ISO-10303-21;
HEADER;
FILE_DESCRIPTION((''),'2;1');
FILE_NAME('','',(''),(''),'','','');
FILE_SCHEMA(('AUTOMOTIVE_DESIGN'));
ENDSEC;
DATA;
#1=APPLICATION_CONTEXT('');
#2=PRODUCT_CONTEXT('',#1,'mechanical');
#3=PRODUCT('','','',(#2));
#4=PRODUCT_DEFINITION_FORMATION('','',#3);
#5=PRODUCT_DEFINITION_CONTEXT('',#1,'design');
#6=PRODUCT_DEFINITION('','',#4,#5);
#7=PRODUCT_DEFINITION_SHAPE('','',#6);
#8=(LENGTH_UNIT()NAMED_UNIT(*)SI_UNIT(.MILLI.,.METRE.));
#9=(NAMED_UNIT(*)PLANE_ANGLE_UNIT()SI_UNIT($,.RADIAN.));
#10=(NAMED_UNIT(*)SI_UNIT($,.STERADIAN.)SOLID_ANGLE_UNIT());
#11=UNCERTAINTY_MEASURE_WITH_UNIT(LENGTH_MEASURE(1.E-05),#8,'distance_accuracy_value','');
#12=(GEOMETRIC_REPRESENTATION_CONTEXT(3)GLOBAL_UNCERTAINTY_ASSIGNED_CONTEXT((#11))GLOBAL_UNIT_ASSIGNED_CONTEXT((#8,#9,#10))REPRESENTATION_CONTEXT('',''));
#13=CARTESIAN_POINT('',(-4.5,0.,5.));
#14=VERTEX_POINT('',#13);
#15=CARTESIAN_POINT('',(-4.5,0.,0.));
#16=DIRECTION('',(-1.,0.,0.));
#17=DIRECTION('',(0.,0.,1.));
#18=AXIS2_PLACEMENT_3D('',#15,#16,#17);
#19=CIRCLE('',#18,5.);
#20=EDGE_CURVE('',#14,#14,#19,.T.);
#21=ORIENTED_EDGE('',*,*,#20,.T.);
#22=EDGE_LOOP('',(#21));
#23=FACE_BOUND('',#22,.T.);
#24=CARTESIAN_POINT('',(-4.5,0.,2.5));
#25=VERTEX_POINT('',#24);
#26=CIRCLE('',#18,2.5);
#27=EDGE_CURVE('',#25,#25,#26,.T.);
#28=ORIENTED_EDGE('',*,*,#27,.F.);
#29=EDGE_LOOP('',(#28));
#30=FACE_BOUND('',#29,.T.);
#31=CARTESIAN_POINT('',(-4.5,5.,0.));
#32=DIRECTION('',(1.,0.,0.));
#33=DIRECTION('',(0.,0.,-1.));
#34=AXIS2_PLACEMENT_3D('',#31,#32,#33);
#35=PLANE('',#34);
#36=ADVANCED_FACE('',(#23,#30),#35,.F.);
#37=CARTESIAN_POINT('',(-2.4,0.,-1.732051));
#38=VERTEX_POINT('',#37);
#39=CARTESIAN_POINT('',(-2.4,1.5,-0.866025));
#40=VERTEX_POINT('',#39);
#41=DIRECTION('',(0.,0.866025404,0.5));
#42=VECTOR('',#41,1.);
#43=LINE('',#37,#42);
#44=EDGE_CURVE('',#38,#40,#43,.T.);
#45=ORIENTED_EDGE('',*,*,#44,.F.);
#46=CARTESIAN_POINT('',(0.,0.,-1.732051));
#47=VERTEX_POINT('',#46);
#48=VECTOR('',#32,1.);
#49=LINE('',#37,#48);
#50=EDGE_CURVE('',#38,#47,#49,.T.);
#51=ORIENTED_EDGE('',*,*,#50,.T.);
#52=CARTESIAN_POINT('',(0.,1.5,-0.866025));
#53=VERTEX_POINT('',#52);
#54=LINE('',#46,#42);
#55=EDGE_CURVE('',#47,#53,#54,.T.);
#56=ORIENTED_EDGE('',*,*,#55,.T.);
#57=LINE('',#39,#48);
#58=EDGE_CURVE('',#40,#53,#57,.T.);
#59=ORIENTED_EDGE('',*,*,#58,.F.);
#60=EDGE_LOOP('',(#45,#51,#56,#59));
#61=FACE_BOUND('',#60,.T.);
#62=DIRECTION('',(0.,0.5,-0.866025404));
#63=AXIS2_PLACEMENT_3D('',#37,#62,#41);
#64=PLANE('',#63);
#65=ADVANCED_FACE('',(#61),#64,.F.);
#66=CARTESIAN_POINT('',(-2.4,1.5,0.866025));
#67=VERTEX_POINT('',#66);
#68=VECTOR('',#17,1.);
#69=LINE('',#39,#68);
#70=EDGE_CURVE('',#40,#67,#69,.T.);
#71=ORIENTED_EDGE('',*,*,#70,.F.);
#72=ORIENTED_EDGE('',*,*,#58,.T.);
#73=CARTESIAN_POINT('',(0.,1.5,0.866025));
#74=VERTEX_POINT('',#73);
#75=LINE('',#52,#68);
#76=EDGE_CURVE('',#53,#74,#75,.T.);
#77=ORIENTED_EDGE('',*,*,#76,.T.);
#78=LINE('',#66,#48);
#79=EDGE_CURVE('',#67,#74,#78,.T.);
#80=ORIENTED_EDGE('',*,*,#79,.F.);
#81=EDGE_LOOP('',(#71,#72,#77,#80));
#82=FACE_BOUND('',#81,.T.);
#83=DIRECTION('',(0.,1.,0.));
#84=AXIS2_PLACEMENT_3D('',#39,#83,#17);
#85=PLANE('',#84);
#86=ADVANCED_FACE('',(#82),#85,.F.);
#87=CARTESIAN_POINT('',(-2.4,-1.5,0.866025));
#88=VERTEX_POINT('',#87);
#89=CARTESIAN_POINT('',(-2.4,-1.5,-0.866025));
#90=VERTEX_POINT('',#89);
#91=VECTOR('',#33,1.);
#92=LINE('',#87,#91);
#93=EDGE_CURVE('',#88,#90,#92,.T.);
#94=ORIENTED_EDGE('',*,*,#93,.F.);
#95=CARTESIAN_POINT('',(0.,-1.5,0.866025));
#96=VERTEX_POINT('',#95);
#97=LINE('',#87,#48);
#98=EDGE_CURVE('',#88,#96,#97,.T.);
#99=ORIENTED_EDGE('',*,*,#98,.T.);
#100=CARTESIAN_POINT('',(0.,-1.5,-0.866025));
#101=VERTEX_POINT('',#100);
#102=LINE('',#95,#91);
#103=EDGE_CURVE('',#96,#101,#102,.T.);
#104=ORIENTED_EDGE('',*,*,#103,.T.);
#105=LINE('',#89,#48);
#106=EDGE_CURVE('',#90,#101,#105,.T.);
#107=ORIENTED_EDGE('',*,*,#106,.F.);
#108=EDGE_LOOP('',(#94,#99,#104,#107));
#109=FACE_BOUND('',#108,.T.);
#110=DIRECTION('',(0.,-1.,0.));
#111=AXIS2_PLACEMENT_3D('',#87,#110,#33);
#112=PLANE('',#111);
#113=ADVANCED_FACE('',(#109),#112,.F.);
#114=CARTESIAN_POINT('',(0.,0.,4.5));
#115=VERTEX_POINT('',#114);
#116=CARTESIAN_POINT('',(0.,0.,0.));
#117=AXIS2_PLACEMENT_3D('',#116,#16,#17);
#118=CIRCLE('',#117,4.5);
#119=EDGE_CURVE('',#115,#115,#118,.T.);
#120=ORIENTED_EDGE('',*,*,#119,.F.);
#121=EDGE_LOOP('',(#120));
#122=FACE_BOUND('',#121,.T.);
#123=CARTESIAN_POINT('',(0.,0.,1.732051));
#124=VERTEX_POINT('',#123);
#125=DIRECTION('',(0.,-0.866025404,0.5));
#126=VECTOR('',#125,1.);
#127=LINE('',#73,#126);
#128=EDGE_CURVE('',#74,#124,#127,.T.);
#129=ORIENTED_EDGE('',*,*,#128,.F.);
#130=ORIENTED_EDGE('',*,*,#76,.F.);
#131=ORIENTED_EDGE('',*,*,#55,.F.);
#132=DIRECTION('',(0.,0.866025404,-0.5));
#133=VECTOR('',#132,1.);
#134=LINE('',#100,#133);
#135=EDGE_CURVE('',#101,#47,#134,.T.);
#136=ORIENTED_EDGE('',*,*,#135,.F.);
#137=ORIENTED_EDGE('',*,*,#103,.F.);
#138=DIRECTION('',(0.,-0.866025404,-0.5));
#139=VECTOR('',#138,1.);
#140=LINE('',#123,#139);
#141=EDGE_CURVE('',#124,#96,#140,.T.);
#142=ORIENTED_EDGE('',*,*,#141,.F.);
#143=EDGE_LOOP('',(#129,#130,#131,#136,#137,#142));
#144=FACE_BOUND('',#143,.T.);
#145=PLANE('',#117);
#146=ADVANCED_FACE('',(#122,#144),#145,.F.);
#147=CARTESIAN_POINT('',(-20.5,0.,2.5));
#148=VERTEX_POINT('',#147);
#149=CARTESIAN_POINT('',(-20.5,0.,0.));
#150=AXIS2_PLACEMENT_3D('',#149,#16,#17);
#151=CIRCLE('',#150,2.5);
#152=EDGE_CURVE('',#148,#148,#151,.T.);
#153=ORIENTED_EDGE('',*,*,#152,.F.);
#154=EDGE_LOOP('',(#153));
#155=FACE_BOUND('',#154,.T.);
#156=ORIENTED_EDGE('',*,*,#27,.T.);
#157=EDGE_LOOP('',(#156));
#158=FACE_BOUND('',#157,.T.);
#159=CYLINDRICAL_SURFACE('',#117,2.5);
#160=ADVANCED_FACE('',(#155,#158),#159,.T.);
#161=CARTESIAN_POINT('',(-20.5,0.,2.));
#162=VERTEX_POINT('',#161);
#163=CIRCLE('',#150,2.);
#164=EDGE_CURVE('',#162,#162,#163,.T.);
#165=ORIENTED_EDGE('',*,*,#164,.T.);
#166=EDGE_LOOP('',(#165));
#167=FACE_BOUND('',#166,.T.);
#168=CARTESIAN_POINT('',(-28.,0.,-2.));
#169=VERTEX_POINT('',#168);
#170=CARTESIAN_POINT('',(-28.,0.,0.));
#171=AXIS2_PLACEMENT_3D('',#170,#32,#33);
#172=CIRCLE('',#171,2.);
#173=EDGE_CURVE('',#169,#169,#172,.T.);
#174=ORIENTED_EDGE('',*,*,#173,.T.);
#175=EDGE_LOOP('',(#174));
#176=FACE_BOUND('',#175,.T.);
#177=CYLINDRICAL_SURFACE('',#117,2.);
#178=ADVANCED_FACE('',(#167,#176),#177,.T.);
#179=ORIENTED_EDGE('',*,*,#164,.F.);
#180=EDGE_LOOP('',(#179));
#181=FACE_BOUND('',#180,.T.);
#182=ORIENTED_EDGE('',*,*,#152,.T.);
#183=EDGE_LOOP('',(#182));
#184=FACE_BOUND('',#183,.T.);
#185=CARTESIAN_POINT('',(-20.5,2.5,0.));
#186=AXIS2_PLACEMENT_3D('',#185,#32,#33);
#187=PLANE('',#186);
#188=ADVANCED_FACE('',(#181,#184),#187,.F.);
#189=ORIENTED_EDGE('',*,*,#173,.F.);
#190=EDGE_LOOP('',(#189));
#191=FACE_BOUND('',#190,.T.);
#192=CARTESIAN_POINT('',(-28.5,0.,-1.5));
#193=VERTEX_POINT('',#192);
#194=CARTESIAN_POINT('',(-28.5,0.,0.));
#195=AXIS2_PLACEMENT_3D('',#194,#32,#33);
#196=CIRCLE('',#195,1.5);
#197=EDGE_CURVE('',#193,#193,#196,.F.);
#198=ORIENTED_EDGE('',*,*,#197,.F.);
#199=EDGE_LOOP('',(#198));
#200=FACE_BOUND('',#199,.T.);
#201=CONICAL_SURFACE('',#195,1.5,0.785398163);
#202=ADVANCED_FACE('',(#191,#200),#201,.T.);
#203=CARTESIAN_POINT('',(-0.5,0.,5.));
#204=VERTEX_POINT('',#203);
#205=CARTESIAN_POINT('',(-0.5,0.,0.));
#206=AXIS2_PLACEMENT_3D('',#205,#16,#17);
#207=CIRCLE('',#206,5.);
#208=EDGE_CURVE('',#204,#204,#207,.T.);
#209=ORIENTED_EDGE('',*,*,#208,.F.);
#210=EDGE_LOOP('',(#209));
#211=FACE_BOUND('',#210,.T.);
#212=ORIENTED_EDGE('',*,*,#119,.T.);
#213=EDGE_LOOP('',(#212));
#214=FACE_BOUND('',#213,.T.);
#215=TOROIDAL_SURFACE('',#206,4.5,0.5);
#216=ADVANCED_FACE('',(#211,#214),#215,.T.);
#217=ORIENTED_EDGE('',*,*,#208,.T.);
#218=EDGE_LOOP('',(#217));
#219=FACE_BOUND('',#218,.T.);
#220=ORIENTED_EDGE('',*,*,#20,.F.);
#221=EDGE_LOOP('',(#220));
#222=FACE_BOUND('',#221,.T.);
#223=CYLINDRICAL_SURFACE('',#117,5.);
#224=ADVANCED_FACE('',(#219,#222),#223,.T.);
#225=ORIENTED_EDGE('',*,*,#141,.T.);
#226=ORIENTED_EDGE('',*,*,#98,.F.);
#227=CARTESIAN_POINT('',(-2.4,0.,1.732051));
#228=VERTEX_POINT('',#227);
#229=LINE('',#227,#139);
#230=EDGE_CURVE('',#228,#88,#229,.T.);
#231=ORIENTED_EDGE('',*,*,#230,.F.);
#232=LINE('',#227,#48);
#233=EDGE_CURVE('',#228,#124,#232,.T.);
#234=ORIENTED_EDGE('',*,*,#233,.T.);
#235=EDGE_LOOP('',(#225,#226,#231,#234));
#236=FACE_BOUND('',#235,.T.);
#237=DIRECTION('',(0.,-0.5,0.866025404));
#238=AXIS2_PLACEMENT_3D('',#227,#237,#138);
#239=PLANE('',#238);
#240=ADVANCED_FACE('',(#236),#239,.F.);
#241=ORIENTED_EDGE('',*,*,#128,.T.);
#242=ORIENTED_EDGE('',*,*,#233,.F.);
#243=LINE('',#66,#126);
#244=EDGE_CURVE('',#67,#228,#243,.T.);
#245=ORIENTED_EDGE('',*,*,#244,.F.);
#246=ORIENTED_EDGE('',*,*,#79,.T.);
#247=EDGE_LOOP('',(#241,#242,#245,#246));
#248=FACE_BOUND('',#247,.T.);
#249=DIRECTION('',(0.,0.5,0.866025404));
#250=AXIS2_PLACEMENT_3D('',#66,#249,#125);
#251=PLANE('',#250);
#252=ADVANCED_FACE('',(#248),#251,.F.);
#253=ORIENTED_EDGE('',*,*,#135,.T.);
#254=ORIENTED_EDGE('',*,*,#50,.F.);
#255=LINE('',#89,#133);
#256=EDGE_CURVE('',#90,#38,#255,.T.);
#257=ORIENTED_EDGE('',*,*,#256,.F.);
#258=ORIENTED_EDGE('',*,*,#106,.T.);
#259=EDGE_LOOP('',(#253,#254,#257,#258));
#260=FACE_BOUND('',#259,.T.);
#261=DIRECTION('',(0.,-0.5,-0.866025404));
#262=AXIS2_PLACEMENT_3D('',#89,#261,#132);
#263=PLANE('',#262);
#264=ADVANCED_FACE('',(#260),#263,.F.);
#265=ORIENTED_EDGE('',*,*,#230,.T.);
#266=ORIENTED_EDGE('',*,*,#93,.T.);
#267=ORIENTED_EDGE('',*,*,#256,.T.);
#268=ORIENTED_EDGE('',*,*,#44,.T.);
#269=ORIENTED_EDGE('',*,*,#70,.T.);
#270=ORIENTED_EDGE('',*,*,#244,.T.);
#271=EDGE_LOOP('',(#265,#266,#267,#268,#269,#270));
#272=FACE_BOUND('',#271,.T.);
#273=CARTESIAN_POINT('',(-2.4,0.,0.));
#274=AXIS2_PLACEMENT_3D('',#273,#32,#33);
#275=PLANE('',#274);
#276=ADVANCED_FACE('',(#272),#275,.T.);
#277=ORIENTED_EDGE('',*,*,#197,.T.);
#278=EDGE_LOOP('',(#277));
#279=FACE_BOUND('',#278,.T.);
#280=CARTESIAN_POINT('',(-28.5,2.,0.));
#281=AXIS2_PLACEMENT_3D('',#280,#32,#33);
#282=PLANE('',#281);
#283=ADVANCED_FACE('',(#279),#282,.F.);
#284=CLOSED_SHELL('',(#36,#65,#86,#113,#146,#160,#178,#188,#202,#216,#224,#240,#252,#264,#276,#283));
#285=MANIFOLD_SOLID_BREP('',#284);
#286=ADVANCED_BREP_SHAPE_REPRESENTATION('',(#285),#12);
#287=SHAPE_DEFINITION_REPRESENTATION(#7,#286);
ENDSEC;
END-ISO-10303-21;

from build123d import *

# Parameters (mm, degrees)
CHAMFER1_SIZE      = 0.5
CUT_EXTRUDE1_DEPTH = 2.4


with BuildPart() as part:
    # Sketch1 → Revolve1 (revolve)
    with BuildSketch(Plane.XY):
        with BuildLine():
            Line((0, 0), (0, 4.5))
            ThreePointArc((0, 4.5), (-0.146446609, 4.853553391), (-0.5, 5))
            Line((-0.5, 5), (-4.5, 5))
            Line((-4.5, 5), (-4.5, 2.5))
            Line((-4.5, 2.5), (-20.5, 2.5))
            Line((-20.5, 2.5), (-20.5, 2))
            Line((-20.5, 2), (-28.5, 2))
            Line((-28.5, 2), (-28.5, 0))
            Line((-28.5, 0), (0, 0))
        make_face()
    revolve(axis=Axis((0, 0, 0), (1, 0, 0)))

    # Chamfer1
    chamfer1_edges = [part.edges().sort_by_distance(p)[0] for p in [
        (-28.5, -2, 0),
    ]]
    chamfer(chamfer1_edges, length=CHAMFER1_SIZE)

    # Sketch2 → Cut-Extrude1 (cut)
    with BuildSketch(Plane(origin=(0, 0, 0), x_dir=(0, 0, -1), z_dir=(1, 0, 0))):
        Polygon((1.732050808, 0), (0.866025404, 1.5), (-0.866025404, 1.5), (-1.732050808, 0), (-0.866025404, -1.5), (0.866025404, -1.5), align=None)
    extrude(amount=-CUT_EXTRUDE1_DEPTH, mode=Mode.SUBTRACT)


solid = part.part
